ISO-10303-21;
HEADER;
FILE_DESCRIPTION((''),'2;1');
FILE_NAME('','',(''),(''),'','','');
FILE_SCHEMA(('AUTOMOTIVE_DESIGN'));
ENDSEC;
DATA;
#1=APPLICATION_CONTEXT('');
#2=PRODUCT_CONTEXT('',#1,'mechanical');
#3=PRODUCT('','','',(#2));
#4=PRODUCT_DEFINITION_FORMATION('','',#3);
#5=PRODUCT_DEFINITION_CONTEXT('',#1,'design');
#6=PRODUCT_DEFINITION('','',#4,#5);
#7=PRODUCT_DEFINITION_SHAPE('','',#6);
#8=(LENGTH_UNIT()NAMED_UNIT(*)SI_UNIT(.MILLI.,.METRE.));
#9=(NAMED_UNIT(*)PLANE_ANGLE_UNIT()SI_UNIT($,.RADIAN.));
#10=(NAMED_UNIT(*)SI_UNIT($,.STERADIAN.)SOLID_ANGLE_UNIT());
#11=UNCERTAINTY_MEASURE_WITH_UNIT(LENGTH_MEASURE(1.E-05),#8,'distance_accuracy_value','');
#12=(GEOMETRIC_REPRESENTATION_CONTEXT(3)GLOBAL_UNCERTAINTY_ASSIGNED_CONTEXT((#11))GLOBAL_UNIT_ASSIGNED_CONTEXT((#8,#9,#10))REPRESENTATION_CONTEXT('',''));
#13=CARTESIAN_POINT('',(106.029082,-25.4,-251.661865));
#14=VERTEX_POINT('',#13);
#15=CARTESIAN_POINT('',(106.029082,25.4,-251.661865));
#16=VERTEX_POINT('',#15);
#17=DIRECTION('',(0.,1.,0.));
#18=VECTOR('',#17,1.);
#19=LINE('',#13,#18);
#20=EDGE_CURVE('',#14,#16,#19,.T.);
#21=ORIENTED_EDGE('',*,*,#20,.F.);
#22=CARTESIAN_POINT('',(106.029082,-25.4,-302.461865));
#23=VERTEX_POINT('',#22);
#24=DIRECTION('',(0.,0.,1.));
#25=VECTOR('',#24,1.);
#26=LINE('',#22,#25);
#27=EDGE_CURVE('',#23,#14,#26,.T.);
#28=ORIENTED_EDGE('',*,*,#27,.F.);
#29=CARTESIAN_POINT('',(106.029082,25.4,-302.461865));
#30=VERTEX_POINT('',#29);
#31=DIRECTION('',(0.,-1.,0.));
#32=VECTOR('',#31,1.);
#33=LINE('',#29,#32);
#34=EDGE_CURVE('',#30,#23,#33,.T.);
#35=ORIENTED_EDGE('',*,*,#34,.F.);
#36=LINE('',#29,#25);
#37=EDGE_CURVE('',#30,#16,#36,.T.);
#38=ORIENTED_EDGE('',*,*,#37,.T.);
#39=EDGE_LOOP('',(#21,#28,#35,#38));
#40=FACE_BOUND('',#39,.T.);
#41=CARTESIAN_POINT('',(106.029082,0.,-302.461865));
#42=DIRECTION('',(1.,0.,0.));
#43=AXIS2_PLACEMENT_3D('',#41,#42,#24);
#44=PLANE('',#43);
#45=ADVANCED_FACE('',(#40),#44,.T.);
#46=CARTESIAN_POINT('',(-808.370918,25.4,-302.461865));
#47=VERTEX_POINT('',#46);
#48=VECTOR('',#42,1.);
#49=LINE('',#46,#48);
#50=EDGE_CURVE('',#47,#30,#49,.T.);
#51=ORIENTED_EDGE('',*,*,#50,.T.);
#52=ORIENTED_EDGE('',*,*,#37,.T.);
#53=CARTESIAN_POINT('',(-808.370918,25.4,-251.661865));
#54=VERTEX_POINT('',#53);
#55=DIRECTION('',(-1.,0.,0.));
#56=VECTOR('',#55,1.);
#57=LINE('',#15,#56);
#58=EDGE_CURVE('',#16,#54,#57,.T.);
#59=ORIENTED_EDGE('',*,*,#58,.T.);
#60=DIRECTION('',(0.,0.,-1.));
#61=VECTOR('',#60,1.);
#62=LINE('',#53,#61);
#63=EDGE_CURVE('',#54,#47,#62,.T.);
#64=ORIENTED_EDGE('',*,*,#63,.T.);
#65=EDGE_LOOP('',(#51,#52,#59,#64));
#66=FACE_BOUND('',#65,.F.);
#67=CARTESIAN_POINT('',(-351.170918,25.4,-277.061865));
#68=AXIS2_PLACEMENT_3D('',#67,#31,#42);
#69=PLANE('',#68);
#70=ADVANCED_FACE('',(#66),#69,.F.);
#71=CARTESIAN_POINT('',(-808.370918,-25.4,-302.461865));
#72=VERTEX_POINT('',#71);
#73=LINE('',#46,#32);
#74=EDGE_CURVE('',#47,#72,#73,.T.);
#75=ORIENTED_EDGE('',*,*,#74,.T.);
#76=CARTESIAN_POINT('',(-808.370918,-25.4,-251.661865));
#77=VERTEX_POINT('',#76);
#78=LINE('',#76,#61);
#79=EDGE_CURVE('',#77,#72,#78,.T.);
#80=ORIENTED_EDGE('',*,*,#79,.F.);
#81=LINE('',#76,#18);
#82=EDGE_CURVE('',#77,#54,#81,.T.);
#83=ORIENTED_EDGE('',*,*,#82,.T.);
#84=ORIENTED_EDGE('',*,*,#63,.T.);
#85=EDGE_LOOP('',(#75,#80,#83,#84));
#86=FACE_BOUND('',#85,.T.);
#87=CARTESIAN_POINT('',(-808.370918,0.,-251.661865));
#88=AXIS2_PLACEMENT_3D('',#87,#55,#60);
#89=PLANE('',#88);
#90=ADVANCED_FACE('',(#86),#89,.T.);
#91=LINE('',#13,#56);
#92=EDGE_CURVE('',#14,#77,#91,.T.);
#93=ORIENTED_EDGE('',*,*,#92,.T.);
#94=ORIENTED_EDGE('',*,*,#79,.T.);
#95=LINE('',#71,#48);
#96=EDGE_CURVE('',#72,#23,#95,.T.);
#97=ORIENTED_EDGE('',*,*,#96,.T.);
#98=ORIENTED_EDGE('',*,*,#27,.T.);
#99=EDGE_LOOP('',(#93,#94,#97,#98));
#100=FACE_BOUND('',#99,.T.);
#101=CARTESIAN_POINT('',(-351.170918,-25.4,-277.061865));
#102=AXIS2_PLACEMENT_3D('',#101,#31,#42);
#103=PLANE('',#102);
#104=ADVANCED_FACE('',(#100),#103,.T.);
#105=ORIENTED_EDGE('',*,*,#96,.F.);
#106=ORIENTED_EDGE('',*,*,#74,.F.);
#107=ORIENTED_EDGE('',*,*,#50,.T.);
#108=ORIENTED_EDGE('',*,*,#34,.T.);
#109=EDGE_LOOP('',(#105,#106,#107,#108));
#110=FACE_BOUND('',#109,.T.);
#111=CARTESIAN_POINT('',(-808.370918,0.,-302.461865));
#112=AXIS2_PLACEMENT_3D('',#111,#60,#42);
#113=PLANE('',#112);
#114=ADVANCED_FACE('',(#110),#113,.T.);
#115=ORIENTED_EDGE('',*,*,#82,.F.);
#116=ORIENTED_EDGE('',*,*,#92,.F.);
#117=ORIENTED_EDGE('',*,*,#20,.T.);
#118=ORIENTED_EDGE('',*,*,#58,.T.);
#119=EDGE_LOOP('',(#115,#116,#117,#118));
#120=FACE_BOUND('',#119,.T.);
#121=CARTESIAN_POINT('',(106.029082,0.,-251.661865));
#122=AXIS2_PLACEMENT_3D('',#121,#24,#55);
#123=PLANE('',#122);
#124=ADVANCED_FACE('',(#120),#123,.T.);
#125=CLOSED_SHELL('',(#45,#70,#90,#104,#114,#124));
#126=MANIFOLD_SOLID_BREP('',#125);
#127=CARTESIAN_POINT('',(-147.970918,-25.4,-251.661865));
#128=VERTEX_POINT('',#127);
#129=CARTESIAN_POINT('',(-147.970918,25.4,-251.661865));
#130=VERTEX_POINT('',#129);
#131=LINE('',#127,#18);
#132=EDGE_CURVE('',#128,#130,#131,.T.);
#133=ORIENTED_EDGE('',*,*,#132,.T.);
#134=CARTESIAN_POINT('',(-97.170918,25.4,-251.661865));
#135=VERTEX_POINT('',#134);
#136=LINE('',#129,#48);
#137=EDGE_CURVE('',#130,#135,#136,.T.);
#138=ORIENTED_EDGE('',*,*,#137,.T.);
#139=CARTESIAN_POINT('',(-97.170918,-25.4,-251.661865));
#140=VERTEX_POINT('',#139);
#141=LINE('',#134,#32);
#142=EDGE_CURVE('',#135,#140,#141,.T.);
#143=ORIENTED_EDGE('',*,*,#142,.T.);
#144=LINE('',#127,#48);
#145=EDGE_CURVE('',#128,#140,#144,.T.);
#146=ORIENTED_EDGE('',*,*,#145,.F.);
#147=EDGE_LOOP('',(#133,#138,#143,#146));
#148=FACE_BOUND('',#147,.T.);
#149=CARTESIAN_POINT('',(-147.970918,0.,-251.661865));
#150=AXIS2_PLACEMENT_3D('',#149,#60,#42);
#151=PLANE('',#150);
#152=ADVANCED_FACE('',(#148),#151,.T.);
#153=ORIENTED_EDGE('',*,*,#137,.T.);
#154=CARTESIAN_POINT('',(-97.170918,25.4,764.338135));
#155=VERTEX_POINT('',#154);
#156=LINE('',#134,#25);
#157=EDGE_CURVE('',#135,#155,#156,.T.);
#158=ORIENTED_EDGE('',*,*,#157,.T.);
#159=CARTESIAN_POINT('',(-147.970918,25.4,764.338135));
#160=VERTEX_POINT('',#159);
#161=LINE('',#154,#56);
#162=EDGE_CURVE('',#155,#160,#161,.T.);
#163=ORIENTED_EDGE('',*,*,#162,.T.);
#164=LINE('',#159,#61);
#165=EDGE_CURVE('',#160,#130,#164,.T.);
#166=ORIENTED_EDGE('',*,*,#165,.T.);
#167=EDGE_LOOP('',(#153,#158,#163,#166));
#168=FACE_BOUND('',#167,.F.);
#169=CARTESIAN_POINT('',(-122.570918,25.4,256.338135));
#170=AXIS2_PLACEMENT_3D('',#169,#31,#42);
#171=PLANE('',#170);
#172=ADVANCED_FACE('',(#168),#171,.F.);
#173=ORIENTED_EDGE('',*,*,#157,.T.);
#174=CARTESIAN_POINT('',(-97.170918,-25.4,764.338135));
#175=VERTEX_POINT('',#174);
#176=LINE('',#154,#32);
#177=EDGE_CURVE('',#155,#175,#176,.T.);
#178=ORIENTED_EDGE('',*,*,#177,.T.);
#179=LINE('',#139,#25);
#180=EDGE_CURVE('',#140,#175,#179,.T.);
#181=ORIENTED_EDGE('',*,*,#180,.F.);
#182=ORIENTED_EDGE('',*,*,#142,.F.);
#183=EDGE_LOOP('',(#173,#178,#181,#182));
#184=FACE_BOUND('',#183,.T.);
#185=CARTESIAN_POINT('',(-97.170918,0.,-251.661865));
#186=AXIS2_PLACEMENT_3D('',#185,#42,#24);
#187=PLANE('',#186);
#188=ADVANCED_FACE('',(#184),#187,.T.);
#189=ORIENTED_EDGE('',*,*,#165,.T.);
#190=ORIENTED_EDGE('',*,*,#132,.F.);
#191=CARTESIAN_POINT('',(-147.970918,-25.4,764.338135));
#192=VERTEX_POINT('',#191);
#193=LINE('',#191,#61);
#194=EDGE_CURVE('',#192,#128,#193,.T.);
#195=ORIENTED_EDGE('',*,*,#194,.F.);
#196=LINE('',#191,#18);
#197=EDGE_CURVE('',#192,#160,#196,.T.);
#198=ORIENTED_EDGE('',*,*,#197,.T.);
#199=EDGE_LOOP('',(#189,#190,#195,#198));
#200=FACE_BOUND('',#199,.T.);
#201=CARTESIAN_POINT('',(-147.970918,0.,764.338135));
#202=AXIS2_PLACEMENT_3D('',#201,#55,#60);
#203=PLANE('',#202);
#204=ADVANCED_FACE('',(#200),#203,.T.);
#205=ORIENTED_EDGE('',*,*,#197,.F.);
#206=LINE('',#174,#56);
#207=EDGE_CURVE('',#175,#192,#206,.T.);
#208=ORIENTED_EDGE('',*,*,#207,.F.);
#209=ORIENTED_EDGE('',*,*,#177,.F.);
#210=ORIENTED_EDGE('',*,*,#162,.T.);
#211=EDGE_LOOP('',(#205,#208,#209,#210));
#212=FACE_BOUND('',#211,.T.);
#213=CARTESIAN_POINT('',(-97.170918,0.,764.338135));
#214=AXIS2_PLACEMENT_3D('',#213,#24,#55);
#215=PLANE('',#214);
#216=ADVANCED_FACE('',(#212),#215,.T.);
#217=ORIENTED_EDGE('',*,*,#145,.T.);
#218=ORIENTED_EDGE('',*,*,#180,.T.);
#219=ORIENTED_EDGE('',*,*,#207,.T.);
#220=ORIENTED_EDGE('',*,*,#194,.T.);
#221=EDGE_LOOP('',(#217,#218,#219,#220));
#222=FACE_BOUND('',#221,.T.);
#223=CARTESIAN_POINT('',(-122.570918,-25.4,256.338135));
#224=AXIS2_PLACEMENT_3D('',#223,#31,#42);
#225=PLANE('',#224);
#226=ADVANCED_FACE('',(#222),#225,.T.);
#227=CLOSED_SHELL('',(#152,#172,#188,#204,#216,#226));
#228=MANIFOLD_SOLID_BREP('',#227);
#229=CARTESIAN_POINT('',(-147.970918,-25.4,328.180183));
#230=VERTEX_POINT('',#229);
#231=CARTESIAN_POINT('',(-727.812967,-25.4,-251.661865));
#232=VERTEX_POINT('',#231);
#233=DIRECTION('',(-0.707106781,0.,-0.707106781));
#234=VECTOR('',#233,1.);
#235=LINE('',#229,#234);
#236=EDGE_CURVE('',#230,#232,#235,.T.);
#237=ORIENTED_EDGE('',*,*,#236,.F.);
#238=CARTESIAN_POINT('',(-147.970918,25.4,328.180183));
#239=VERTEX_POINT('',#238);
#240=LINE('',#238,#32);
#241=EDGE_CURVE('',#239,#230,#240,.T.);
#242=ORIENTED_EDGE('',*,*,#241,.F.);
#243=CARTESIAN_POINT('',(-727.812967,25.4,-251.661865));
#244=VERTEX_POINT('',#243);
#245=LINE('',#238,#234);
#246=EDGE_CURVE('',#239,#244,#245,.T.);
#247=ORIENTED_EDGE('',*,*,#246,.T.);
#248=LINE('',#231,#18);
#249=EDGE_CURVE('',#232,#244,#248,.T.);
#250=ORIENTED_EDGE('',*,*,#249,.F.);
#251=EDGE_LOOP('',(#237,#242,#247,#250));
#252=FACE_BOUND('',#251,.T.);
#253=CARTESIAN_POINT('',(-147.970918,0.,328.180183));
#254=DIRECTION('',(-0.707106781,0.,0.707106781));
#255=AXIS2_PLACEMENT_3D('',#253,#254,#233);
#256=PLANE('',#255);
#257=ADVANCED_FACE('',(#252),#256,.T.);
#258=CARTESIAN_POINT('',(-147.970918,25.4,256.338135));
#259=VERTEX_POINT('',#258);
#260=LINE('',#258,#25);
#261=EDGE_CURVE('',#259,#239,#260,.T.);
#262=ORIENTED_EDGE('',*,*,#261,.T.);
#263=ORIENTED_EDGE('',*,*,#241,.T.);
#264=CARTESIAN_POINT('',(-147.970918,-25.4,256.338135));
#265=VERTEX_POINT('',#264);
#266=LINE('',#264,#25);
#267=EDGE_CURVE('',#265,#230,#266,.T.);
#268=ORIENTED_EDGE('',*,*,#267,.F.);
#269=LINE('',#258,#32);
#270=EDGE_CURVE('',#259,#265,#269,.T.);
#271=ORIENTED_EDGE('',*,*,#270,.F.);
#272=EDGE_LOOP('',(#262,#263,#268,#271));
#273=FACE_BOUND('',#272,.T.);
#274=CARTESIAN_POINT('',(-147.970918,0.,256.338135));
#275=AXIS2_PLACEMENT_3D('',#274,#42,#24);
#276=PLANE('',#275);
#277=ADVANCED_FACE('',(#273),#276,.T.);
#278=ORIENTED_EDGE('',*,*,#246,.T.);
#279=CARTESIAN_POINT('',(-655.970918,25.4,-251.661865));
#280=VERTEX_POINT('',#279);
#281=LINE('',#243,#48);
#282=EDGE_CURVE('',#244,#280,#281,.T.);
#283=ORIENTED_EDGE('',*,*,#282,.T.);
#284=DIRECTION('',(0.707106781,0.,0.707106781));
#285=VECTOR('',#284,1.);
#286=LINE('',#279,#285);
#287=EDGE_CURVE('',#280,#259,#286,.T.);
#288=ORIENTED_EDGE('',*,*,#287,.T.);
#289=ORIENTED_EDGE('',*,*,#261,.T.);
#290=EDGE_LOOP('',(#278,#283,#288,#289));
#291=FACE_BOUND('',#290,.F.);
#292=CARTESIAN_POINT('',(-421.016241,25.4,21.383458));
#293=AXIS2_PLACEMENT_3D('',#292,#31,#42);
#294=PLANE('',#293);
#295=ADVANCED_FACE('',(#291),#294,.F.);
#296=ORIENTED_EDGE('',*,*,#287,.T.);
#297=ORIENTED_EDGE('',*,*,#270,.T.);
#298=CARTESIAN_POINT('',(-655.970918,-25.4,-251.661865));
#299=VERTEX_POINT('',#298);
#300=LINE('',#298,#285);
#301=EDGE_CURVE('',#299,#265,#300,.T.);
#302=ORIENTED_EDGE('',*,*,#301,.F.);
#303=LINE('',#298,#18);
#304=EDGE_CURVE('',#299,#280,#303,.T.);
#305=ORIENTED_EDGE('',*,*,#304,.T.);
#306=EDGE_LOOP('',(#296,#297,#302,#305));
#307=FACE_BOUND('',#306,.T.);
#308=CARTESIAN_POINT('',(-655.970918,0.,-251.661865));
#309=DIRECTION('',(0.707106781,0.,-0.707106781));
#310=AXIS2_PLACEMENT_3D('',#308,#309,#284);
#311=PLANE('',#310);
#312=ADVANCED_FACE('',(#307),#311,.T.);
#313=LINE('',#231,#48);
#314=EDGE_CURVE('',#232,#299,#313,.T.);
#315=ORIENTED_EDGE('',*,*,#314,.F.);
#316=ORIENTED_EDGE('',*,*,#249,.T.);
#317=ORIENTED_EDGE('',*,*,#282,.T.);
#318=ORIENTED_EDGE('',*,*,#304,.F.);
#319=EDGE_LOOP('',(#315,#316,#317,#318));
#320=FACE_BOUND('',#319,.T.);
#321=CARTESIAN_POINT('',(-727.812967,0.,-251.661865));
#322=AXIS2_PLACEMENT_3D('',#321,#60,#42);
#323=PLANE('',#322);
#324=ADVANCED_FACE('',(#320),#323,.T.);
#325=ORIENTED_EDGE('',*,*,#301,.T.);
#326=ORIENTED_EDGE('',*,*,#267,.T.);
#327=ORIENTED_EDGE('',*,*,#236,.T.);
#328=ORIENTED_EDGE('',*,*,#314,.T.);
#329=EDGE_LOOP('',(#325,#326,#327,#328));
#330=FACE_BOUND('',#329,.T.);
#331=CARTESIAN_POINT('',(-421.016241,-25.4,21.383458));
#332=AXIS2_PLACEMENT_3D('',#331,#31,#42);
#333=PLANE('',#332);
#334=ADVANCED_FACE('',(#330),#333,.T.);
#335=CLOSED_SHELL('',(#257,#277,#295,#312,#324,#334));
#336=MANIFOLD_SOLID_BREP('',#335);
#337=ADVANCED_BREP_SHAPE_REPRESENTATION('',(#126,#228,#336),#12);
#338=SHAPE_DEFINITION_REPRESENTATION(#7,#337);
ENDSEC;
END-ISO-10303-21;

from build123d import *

# Parameters (mm, degrees)
F1_DEPTH = 25.4
F2_DEPTH = 25.4
F3_DEPTH = 25.4


with BuildPart() as f1:
    # F0 (on Front) → F1 (new body, symmetric)
    with BuildSketch(Plane.XZ):
        Polygon((-147.9709179405, 256.338134503), (-147.9709179405, -251.661865497), (-97.1709179405, -251.661865497), (-97.1709179405, 764.338134503), (-147.9709179405, 764.338134503), (-147.9709179405, 328.1801834716), align=None)
    extrude(amount=F1_DEPTH, both=True)


with BuildPart() as f2:
    # F0 (on Front) → F2 (new body, symmetric)
    with BuildSketch(Plane.XZ):
        Polygon((-97.1709179405, -251.661865497), (-147.9709179405, -251.661865497), (-655.9709179405, -251.661865497), (-727.8129669091, -251.661865497), (-808.3709179405, -251.661865497), (-808.3709179405, -302.461865497), (106.0290820595, -302.461865497), (106.0290820595, -251.661865497), align=None)
    extrude(amount=F2_DEPTH, both=True)


with BuildPart() as f3:
    # F0 (on Front) → F3 (new body, symmetric)
    with BuildSketch(Plane.XZ):
        Polygon((-655.9709179405, -251.661865497), (-147.9709179405, 256.338134503), (-147.9709179405, 328.1801834716), (-727.8129669091, -251.661865497), align=None)
    extrude(amount=F3_DEPTH, both=True)


solid = Compound([f1.part, f2.part, f3.part])
